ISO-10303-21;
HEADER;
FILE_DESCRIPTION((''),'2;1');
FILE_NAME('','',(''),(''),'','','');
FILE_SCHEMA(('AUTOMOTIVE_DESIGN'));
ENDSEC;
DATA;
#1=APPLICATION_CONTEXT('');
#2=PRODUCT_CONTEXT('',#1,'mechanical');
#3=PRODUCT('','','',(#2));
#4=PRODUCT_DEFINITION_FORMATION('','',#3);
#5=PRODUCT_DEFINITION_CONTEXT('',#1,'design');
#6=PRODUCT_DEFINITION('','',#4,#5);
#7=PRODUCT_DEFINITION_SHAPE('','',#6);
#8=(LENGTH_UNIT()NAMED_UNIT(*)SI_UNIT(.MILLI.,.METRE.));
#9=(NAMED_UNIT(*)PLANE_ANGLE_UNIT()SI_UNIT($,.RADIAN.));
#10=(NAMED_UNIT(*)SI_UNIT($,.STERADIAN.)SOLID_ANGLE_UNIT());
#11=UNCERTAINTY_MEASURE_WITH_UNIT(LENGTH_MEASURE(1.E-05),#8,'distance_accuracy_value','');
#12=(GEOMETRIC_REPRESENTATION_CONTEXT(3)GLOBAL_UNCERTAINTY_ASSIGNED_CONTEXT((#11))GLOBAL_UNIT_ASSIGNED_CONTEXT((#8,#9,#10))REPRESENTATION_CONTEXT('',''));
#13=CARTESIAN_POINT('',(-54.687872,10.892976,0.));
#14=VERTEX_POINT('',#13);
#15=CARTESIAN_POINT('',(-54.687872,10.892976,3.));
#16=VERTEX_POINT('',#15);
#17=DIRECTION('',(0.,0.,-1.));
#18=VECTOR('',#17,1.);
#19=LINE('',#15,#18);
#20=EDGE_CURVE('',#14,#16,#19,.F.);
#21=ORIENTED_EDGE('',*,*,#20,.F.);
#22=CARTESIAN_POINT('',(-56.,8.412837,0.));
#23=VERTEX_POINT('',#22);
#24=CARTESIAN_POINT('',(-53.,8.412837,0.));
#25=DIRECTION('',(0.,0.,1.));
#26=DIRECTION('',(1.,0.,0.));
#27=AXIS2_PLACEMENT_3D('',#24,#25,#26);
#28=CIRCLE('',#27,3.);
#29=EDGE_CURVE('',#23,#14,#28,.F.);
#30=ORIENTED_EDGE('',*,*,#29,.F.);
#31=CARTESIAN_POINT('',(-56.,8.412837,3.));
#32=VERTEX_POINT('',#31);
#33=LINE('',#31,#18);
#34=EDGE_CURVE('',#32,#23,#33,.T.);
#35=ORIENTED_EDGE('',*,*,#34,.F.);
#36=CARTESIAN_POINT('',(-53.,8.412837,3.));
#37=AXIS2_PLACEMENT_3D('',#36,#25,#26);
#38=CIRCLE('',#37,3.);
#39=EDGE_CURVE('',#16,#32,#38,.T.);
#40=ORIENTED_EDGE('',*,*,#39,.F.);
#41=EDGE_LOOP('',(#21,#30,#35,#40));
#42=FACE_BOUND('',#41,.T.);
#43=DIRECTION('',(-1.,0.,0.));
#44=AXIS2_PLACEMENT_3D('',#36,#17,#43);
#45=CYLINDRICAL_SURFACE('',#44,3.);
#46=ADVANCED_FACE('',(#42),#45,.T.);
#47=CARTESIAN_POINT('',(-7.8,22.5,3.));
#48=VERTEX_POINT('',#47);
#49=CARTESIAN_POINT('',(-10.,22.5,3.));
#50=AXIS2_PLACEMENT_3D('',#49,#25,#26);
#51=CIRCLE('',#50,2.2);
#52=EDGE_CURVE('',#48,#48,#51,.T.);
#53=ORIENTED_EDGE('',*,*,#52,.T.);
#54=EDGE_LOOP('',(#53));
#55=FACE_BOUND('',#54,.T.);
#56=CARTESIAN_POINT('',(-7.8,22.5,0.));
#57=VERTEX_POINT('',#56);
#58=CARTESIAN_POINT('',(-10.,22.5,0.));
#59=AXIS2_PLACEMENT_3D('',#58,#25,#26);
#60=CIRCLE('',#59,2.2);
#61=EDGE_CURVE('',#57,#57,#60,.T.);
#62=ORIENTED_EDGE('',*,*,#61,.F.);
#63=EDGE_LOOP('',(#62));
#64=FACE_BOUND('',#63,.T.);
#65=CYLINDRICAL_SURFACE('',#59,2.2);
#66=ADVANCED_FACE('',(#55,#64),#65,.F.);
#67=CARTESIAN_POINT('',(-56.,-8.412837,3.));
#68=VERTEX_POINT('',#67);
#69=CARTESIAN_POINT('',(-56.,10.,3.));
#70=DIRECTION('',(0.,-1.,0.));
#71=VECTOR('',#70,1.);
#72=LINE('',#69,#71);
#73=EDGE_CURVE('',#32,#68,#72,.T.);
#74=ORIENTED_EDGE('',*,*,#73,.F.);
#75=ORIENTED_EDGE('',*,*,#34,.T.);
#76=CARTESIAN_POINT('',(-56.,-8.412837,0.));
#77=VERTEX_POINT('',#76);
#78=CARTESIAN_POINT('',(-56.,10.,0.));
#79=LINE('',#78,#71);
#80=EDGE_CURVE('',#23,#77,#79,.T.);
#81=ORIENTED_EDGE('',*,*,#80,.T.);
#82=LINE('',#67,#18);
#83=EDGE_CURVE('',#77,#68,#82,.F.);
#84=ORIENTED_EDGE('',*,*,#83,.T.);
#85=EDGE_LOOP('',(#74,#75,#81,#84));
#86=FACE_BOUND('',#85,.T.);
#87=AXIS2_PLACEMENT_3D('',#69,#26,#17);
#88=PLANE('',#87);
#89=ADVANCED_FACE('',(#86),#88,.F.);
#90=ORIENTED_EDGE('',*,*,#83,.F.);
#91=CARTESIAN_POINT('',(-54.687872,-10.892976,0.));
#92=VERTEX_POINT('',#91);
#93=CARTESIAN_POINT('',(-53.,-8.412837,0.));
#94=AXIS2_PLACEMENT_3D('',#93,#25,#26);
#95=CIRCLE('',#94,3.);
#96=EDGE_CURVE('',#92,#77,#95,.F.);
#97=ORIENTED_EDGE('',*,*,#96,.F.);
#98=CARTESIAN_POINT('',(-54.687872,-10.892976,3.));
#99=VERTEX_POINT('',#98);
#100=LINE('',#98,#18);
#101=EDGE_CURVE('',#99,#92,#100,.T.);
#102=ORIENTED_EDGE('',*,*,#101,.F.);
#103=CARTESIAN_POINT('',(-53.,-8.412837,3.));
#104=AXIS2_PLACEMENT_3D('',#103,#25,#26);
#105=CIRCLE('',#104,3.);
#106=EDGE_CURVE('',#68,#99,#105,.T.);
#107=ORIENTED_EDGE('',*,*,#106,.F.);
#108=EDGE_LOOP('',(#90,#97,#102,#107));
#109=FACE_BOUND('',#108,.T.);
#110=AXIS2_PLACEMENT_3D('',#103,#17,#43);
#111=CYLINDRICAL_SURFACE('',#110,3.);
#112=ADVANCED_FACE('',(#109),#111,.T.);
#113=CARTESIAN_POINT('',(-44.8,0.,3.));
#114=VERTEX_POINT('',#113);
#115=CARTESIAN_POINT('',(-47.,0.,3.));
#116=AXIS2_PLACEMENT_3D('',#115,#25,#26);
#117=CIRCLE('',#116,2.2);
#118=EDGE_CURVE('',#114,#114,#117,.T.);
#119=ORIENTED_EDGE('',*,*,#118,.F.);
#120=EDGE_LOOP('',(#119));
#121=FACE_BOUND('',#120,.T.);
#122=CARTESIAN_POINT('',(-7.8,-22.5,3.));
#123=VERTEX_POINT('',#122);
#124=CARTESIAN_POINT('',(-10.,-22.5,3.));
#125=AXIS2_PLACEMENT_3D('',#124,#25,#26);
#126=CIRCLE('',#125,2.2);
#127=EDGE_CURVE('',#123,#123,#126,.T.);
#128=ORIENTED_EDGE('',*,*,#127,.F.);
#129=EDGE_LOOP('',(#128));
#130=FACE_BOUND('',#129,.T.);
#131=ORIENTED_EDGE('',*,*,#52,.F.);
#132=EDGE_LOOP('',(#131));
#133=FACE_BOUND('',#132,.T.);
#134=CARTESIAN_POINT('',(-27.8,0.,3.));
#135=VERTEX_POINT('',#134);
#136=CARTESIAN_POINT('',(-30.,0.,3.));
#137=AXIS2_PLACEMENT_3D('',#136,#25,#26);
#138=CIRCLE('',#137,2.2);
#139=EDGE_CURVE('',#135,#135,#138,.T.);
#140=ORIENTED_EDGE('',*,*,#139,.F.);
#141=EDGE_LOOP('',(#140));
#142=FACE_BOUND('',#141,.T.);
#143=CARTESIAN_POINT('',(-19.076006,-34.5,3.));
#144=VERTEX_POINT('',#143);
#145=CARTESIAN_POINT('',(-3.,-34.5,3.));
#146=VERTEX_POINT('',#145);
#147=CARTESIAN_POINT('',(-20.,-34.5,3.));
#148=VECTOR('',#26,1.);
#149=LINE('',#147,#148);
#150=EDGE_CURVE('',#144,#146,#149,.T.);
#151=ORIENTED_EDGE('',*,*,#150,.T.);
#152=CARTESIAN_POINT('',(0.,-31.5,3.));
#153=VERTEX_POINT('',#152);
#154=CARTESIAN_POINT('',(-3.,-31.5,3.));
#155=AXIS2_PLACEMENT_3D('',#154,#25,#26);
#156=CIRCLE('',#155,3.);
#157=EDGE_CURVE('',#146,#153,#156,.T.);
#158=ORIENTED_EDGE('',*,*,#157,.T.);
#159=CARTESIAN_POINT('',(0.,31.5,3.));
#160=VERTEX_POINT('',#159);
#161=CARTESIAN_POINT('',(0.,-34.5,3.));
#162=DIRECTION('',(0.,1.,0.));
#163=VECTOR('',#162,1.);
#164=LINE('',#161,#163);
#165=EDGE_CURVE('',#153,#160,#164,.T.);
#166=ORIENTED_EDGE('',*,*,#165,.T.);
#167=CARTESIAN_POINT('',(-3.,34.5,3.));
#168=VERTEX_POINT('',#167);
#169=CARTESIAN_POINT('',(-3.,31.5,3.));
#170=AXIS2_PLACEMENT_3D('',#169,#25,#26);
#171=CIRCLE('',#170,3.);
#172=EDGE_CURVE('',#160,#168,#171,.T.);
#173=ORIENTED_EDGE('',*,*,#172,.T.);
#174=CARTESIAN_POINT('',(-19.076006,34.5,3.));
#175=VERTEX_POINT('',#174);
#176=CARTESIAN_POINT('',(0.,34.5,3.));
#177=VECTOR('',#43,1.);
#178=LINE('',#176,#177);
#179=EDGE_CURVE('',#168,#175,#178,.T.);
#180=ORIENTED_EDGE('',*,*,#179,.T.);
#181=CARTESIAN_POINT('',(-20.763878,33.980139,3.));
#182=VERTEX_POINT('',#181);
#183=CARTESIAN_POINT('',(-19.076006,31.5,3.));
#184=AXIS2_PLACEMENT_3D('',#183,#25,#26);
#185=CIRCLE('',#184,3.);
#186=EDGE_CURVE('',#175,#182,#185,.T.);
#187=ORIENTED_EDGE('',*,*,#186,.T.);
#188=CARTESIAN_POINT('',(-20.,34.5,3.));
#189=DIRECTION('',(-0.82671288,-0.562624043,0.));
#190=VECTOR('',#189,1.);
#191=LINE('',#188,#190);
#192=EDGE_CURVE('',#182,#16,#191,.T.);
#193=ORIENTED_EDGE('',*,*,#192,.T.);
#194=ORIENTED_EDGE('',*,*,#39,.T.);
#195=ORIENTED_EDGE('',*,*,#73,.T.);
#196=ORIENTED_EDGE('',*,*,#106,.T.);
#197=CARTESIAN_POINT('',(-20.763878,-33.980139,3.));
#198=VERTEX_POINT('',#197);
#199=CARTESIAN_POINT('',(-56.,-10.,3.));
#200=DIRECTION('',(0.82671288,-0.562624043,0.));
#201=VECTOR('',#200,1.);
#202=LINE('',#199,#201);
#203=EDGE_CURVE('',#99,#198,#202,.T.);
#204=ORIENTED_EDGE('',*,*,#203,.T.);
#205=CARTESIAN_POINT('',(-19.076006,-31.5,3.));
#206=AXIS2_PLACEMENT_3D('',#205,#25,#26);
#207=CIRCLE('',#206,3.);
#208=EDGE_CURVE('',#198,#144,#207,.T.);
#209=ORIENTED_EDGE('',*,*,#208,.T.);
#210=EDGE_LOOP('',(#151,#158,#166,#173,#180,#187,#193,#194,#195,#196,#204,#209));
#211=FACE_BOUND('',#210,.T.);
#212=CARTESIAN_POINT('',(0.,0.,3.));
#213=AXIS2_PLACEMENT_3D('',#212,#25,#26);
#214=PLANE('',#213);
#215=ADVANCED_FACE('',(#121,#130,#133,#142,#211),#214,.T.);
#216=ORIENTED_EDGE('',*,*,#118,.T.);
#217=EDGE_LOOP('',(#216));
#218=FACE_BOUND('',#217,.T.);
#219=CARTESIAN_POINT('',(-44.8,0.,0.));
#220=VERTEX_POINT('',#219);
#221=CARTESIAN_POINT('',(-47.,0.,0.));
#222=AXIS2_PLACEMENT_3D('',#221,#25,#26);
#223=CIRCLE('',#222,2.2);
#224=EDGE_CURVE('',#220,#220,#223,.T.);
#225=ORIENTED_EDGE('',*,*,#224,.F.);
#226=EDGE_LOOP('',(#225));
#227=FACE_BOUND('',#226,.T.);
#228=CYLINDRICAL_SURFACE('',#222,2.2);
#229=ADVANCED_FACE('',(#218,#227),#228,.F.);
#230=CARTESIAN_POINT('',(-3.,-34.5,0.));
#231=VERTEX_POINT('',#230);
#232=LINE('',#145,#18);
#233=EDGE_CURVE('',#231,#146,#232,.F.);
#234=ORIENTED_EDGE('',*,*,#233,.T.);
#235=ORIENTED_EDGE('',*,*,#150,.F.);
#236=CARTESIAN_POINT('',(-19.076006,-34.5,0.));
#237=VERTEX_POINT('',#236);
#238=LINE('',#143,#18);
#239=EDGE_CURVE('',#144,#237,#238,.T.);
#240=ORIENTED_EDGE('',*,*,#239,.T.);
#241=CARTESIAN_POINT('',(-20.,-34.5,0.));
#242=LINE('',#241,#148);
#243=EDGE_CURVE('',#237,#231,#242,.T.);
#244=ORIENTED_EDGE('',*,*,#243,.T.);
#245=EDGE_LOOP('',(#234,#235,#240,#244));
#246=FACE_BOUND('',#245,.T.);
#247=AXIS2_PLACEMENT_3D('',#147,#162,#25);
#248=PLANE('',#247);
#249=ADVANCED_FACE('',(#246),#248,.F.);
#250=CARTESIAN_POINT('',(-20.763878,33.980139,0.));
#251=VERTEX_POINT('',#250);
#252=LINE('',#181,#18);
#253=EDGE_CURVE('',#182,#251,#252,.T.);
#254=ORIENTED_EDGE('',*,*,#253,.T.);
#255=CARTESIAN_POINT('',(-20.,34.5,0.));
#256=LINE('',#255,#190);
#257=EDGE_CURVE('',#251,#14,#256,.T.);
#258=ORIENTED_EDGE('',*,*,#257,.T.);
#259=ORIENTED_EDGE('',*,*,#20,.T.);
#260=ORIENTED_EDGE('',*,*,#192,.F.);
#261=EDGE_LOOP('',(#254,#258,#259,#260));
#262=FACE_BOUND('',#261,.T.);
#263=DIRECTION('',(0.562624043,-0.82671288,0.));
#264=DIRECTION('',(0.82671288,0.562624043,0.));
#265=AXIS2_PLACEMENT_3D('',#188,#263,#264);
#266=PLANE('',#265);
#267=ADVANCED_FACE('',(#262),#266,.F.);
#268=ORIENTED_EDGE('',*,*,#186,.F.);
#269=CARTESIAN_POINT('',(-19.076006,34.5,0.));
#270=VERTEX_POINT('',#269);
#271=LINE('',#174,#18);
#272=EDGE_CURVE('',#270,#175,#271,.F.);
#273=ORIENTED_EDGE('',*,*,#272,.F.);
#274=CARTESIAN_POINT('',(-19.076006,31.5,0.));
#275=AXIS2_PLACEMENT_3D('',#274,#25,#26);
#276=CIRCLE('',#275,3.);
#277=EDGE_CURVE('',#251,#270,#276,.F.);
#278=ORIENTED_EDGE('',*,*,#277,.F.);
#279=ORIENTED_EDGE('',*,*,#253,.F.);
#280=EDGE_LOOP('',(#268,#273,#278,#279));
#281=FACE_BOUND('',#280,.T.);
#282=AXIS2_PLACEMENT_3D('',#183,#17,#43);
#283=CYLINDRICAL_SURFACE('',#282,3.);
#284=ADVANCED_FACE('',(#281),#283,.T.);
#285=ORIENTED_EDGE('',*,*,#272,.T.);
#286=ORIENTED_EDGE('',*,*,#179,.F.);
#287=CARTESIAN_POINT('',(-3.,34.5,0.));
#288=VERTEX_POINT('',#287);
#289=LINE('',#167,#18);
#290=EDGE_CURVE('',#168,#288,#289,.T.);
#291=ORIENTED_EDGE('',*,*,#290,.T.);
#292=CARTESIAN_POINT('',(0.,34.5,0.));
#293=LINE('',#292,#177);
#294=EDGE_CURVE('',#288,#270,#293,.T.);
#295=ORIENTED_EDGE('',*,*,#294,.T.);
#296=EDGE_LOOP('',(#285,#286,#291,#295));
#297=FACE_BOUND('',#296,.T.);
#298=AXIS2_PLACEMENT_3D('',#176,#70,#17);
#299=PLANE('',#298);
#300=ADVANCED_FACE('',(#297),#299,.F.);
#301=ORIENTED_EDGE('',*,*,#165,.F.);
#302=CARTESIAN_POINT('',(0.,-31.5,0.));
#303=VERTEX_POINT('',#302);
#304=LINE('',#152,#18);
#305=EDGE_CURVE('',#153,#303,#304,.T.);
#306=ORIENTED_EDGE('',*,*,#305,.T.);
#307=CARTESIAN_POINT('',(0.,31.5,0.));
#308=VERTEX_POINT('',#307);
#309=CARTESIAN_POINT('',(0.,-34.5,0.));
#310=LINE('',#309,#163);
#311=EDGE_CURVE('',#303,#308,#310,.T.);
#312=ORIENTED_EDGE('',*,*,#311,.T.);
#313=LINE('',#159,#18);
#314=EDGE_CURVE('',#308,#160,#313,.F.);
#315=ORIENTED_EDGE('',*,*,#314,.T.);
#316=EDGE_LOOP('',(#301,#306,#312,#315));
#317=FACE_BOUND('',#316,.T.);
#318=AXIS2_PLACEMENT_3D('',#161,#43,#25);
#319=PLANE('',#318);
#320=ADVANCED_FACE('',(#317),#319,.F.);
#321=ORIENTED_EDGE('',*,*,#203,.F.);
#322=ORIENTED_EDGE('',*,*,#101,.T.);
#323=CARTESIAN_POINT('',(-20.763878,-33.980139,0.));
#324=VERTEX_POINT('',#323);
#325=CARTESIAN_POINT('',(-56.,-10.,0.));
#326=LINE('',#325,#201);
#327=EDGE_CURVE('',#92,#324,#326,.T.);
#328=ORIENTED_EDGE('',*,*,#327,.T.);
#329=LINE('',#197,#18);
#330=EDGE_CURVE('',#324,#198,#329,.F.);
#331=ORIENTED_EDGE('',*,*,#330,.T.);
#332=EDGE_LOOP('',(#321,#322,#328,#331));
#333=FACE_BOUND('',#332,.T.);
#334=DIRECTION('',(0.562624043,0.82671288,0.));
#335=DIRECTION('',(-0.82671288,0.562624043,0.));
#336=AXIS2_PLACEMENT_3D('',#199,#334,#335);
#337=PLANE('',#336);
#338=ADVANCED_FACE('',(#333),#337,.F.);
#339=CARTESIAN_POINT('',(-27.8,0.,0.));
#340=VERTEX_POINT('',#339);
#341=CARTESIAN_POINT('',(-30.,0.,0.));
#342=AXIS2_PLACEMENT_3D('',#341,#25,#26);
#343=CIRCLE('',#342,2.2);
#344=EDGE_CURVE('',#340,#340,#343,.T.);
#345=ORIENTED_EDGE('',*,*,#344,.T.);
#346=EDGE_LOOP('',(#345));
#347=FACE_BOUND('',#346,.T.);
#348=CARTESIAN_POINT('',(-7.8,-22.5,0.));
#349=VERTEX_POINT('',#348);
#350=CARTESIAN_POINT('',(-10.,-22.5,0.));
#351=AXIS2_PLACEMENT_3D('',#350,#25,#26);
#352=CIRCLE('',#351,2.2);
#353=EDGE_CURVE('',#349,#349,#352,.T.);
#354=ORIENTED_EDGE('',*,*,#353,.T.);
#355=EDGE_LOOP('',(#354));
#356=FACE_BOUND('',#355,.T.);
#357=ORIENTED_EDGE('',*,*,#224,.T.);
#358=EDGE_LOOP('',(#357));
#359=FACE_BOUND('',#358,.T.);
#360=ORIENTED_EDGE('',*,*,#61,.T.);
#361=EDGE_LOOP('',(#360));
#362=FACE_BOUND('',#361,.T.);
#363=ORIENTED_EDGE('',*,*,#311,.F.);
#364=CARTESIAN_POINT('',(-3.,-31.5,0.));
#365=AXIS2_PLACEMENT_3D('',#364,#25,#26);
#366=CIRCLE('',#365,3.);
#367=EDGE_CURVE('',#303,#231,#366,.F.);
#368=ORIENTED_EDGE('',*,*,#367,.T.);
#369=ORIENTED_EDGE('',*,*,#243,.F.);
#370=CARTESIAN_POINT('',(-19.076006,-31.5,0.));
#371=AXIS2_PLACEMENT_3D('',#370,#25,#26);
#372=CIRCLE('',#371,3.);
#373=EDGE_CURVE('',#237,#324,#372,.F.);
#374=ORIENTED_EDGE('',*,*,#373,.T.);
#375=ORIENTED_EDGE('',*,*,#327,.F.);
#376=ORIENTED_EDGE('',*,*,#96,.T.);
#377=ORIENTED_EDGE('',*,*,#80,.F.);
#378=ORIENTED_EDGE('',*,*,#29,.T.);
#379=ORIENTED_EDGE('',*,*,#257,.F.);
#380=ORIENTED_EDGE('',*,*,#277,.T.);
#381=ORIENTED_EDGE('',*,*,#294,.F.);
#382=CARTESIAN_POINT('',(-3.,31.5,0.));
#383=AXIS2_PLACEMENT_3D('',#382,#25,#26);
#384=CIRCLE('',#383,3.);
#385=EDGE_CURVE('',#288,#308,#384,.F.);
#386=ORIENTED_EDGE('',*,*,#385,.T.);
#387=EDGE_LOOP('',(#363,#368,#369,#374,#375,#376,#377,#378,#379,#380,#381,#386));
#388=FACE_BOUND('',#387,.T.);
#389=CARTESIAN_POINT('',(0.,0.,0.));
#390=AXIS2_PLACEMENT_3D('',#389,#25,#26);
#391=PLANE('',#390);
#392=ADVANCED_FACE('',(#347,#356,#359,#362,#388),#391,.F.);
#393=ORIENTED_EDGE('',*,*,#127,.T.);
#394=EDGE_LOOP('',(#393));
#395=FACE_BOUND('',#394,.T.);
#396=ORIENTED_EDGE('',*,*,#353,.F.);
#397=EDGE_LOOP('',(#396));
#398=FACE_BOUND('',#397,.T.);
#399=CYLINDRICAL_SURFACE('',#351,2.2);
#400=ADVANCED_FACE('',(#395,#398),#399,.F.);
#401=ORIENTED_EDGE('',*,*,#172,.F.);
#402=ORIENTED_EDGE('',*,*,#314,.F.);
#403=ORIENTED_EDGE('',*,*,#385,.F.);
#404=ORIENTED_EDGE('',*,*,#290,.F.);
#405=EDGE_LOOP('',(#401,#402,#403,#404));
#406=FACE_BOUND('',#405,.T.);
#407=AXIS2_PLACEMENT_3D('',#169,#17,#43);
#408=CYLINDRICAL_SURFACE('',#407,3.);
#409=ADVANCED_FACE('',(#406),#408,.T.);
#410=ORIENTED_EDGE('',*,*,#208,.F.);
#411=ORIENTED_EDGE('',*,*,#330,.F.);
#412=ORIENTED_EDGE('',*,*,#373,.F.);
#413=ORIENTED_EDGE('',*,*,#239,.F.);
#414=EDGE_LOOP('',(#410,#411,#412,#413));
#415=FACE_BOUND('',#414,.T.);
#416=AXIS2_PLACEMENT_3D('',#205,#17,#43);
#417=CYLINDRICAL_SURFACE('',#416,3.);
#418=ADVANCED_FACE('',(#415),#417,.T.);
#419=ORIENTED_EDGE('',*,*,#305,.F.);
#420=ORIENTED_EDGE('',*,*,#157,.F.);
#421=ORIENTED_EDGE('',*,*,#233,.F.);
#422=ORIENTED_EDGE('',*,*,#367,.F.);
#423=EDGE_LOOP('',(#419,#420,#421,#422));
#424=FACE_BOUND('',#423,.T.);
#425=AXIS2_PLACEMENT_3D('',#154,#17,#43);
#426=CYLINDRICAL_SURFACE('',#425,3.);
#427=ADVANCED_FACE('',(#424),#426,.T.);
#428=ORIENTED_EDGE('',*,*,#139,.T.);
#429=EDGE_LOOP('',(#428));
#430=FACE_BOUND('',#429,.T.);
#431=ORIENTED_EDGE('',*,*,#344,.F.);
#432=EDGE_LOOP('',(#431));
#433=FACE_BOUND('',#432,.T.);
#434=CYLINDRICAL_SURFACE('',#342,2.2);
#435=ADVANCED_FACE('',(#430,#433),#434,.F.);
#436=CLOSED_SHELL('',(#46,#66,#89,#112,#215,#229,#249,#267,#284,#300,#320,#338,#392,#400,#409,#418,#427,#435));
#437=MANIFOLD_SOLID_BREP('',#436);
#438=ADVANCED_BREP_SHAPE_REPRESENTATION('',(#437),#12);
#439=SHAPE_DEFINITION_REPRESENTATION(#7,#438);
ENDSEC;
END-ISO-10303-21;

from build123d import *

# Parameters (mm, degrees)
BOSS_EXTRUDE1_DEPTH = 3
SKETCH2_R           = 2.2
CUT_EXTRUDE1_DEPTH  = 66.842615379
FILLET1_R           = 3


with BuildPart() as part:
    # Sketch1 → Boss-Extrude1 (new body)
    with BuildSketch(Plane.XY):
        Polygon((0, -34.5), (0, 34.5), (-20, 34.5), (-56, 10), (-56, -10), (-20, -34.5), align=None)
    extrude(amount=BOSS_EXTRUDE1_DEPTH)

    # Sketch2 → Cut-Extrude1 (cut, through all)
    with BuildSketch(Plane.XY.offset(3)):
        with Locations((-47, 0)):
            Circle(SKETCH2_R)
        with Locations((-30, 0)):
            Circle(SKETCH2_R)
        with Locations((-10, 22.5)):
            Circle(SKETCH2_R)
        with Locations((-10, -22.5)):
            Circle(SKETCH2_R)
    extrude(amount=-CUT_EXTRUDE1_DEPTH, mode=Mode.SUBTRACT)

    # Fillet1
    fillet1_edges = [part.edges().sort_by_distance(p)[0] for p in [
        (-20, -34.5, 1.5),
        (-56, -10, 1.5),
        (-56, 10, 1.5),
        (-20, 34.5, 1.5),
        (0, 34.5, 1.5),
        (0, -34.5, 1.5),
    ]]
    fillet(fillet1_edges, radius=FILLET1_R)


solid = part.part
